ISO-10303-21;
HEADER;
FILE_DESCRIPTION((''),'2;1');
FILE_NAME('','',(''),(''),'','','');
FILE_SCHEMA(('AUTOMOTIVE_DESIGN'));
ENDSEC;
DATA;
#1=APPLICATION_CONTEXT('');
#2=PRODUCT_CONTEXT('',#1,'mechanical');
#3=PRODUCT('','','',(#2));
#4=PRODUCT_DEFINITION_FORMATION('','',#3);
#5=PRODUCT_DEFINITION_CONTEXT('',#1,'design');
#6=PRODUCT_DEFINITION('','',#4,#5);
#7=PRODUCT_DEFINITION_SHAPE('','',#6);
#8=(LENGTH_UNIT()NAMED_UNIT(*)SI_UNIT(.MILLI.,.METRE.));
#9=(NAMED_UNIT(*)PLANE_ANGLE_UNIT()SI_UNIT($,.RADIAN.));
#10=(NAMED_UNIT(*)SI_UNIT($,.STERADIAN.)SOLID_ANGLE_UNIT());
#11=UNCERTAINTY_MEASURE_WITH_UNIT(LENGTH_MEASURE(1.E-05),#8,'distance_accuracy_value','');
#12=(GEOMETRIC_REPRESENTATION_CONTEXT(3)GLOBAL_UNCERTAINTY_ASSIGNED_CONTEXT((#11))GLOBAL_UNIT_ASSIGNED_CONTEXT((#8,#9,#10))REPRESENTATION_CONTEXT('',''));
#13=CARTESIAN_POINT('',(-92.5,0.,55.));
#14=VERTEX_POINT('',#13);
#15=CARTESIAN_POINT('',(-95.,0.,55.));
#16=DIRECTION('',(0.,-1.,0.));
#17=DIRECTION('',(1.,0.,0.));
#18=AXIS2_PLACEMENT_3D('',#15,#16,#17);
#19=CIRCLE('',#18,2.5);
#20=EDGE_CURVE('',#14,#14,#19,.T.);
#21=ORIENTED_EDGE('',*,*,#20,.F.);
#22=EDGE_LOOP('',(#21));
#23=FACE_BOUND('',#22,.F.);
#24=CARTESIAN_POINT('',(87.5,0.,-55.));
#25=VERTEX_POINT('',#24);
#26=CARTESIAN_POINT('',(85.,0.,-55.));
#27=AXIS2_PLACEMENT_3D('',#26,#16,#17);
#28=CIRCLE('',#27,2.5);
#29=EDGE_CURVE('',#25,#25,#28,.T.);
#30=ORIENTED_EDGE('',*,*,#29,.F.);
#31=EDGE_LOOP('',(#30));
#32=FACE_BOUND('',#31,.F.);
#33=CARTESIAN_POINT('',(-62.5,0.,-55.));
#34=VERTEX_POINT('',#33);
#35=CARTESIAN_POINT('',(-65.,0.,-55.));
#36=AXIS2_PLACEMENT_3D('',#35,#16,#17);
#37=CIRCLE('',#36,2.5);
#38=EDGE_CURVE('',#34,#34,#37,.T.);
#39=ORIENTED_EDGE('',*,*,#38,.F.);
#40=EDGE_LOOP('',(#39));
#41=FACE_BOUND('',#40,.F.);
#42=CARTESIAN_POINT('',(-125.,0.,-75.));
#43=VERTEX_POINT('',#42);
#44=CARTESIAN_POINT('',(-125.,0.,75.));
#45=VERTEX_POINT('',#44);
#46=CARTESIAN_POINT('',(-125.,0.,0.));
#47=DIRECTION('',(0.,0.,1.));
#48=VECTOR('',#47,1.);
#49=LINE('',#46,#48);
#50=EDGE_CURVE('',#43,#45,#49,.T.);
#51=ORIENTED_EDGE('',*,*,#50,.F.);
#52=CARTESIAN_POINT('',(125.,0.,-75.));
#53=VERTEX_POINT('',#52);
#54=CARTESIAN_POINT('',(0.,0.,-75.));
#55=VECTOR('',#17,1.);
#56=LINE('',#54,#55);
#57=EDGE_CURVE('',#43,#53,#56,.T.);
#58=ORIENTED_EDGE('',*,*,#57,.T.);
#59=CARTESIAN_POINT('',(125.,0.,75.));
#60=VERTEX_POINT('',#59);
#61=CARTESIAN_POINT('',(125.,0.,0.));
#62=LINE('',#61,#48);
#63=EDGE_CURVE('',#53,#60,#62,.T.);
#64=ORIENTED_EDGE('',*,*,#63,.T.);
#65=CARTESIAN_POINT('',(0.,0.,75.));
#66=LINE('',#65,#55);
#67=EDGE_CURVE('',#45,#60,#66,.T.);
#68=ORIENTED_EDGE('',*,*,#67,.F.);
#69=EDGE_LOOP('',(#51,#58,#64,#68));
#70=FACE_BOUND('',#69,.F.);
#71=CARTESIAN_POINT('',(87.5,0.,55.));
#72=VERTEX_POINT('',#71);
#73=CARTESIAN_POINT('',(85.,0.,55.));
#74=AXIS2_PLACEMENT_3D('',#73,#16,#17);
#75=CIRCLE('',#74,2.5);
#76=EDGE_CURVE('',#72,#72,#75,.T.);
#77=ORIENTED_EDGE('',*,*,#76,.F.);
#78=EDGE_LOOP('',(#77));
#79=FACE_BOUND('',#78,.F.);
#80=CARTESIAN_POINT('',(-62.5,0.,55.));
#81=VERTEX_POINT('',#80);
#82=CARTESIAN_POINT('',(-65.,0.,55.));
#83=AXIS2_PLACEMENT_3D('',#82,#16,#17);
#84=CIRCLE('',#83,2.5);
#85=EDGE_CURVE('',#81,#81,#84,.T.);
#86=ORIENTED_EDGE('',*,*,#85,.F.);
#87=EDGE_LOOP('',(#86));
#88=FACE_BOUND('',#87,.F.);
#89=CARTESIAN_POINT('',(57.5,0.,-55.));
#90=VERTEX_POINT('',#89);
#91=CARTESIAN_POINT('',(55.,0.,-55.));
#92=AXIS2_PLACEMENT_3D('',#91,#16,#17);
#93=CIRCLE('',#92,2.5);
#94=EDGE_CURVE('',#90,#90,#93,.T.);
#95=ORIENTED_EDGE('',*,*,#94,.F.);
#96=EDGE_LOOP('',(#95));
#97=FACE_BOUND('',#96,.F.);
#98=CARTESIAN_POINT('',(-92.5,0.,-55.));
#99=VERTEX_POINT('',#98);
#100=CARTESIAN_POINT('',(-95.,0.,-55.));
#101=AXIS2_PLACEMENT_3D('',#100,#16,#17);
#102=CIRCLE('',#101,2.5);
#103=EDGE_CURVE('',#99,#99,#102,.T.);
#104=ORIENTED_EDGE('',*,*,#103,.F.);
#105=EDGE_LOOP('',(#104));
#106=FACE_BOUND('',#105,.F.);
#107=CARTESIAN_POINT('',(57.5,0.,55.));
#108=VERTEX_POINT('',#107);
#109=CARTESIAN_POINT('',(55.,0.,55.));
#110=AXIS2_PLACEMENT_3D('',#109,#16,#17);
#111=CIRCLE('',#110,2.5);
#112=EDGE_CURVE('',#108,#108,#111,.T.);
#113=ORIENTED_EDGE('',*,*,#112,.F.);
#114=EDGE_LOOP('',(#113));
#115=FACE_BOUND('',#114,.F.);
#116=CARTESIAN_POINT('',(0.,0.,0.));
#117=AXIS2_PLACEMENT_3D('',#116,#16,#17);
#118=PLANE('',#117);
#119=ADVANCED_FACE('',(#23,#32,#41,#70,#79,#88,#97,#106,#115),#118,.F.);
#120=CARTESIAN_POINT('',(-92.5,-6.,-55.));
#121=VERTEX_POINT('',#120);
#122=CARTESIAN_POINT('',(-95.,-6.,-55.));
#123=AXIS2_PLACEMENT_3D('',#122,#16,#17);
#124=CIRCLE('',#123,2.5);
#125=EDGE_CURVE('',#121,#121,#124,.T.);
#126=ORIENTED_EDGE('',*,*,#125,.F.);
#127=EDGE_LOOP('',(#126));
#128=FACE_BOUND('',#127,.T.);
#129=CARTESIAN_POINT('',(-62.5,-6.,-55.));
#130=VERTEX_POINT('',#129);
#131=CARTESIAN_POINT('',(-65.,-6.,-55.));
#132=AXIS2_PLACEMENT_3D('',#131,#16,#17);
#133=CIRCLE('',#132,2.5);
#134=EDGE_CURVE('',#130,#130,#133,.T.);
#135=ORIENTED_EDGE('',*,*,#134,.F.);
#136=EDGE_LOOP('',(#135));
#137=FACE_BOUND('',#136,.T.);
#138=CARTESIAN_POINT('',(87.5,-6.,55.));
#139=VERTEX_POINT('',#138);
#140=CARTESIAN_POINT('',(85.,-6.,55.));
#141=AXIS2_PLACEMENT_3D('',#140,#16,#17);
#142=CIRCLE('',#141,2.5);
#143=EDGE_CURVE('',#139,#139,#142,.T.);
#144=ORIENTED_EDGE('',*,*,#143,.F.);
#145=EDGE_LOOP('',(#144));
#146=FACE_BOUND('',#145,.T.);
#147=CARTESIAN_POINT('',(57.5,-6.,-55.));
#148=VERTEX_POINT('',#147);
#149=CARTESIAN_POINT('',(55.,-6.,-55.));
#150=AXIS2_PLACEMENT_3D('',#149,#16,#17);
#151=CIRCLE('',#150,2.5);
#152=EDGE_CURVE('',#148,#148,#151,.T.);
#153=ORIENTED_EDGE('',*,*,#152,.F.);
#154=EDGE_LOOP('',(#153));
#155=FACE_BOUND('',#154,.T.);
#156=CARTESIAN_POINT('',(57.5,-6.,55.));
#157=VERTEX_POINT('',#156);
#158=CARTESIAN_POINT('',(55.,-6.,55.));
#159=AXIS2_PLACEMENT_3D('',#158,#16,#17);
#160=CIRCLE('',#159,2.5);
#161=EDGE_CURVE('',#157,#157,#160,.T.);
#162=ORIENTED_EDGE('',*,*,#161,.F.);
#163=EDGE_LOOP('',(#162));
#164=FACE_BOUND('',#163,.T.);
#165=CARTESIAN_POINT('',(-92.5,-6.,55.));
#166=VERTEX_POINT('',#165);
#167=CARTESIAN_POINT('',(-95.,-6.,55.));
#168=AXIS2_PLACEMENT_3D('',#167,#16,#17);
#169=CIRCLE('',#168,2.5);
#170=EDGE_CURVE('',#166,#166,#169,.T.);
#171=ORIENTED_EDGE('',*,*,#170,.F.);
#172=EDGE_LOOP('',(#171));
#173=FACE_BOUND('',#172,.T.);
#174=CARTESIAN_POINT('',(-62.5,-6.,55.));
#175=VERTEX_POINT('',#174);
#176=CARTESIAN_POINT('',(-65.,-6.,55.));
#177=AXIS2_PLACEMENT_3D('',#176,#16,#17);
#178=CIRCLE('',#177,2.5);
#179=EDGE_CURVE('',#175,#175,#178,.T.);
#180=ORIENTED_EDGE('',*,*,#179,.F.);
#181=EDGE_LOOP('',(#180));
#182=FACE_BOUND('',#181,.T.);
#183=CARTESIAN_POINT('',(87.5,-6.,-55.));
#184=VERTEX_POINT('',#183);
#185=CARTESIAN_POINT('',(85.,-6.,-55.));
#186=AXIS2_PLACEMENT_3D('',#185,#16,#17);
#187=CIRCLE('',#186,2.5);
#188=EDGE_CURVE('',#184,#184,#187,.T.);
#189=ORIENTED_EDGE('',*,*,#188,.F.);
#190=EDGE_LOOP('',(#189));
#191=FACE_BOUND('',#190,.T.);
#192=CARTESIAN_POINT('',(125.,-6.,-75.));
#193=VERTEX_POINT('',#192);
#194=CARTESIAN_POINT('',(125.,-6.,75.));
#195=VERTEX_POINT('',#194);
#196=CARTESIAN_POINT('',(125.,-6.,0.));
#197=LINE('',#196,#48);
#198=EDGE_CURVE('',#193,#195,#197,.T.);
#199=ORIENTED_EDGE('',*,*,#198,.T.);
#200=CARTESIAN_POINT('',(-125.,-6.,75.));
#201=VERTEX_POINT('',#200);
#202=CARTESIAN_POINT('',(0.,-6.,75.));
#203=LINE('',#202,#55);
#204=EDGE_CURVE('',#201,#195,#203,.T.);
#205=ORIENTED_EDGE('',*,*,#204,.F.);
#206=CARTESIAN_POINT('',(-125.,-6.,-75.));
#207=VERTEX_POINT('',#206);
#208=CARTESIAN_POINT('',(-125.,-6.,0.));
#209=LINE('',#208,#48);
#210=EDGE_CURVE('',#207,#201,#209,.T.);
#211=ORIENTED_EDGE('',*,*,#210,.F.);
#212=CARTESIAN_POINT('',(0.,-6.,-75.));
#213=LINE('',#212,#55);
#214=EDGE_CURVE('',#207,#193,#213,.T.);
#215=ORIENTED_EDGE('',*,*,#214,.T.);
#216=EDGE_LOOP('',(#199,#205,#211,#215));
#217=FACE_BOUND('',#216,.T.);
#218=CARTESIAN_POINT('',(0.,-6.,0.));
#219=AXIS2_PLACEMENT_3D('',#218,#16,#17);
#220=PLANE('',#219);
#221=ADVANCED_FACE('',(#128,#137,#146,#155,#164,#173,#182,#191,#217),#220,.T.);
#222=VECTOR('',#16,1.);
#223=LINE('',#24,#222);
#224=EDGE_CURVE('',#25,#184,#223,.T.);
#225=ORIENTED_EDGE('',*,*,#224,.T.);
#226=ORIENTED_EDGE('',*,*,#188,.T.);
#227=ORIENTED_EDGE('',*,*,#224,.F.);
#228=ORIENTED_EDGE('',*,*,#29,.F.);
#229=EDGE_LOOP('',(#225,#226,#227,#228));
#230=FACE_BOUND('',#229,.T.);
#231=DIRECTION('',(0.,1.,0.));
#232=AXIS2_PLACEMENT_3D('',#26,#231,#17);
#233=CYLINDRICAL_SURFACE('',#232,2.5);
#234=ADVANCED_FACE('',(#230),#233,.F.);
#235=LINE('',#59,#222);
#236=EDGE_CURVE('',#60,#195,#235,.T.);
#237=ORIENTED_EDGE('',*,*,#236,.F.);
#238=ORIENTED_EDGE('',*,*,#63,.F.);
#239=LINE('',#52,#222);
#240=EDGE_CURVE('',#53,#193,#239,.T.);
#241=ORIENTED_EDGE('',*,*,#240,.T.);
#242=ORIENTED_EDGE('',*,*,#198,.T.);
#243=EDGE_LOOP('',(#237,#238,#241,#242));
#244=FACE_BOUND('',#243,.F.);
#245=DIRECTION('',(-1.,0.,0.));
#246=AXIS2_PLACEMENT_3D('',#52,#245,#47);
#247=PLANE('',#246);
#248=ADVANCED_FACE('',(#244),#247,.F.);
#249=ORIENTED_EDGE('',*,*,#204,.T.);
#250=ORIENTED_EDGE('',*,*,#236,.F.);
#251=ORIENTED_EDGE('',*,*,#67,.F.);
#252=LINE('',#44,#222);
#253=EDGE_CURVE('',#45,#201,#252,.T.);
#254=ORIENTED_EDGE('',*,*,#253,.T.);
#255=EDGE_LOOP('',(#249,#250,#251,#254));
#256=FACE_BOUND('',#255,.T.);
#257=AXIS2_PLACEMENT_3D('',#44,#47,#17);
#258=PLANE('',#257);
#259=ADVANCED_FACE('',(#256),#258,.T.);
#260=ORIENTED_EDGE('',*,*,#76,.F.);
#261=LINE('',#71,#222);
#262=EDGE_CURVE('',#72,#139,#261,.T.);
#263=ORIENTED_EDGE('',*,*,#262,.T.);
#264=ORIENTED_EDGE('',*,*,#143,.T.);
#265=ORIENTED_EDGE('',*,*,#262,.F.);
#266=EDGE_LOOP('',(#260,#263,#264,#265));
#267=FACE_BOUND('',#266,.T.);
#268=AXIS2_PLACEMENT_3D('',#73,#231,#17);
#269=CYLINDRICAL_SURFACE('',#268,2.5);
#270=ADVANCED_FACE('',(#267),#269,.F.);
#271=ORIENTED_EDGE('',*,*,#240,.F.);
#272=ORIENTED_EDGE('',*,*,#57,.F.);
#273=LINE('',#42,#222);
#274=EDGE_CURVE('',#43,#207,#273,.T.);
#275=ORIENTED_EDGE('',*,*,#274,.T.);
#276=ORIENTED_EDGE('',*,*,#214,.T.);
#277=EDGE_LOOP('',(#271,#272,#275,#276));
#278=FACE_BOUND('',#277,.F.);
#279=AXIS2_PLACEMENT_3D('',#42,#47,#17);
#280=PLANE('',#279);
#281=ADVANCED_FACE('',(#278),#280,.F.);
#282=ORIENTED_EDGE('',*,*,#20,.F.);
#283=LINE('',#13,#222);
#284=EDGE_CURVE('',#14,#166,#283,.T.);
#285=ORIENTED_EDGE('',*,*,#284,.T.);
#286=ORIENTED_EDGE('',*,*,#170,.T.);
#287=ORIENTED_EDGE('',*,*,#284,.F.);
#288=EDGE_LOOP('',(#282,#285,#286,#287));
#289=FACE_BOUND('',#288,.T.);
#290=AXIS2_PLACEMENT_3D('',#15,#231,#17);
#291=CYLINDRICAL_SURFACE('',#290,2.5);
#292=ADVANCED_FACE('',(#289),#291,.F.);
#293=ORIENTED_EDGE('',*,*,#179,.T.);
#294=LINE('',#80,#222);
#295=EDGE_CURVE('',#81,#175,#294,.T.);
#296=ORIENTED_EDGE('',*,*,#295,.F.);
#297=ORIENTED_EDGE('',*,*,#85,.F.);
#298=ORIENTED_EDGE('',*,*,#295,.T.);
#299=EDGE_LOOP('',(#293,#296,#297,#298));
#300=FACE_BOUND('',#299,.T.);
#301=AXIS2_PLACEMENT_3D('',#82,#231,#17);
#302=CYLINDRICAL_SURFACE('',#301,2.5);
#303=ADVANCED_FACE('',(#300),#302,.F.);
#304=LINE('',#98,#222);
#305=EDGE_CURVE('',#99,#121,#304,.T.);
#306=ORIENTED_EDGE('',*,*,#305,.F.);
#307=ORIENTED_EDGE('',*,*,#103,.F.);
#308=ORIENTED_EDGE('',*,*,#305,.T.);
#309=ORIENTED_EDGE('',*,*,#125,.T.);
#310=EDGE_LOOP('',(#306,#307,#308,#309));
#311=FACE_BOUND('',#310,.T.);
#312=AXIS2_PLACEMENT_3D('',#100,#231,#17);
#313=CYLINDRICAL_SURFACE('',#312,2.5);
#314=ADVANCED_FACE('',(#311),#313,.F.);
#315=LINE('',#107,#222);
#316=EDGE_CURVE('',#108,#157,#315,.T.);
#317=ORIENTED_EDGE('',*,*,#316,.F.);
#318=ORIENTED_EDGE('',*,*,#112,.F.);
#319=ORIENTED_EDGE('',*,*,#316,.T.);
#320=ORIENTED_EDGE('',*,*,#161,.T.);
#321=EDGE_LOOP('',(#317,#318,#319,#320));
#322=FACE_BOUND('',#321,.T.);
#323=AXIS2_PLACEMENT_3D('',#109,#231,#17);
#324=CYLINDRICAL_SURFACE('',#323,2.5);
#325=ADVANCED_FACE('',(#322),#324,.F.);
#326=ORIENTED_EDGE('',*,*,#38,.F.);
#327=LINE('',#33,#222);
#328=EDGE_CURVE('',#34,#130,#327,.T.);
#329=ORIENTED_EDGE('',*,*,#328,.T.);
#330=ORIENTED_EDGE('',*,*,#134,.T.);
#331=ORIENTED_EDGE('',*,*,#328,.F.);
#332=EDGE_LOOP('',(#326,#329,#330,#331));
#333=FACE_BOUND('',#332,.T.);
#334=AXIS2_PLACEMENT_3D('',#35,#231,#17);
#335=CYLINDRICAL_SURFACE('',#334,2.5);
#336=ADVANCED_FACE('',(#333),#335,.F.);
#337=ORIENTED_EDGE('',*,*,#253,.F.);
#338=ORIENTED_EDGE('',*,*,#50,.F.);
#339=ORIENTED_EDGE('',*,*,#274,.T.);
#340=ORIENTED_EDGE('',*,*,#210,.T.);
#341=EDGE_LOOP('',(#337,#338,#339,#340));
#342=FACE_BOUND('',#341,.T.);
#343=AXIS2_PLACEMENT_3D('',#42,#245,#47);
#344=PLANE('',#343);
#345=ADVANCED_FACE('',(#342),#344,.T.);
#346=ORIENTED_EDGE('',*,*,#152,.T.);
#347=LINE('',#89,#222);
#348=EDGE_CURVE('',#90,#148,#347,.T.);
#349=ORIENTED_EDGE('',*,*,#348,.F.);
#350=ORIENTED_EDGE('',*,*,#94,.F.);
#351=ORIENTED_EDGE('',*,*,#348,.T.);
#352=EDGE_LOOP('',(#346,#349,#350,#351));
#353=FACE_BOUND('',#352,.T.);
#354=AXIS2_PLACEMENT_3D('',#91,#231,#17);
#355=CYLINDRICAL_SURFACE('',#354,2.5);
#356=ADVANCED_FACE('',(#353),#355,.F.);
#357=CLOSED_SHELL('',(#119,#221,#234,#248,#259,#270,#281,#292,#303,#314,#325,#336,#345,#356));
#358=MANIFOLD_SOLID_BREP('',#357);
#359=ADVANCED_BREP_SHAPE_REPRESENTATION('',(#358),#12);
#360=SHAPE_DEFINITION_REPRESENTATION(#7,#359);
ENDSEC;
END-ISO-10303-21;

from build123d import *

# Parameters (mm, degrees)
F0_W     = 250
F0_H     = 150
F0_R     = 2.5
F1_DEPTH = 6


with BuildPart() as f1:
    # F0 (on Front) → F1 (new body)
    with BuildSketch(Plane.XZ):
        Rectangle(F0_W, F0_H)
        with Locations((-95, -55)):
            Circle(F0_R, mode=Mode.SUBTRACT)
        with Locations((-65, -55)):
            Circle(F0_R, mode=Mode.SUBTRACT)
        with Locations((55, -55)):
            Circle(F0_R, mode=Mode.SUBTRACT)
        with Locations((85, -55)):
            Circle(F0_R, mode=Mode.SUBTRACT)
        with Locations((-95, 55)):
            Circle(F0_R, mode=Mode.SUBTRACT)
        with Locations((-65, 55)):
            Circle(F0_R, mode=Mode.SUBTRACT)
        with Locations((55, 55)):
            Circle(F0_R, mode=Mode.SUBTRACT)
        with Locations((85, 55)):
            Circle(F0_R, mode=Mode.SUBTRACT)
    extrude(amount=F1_DEPTH)


solid = f1.part
